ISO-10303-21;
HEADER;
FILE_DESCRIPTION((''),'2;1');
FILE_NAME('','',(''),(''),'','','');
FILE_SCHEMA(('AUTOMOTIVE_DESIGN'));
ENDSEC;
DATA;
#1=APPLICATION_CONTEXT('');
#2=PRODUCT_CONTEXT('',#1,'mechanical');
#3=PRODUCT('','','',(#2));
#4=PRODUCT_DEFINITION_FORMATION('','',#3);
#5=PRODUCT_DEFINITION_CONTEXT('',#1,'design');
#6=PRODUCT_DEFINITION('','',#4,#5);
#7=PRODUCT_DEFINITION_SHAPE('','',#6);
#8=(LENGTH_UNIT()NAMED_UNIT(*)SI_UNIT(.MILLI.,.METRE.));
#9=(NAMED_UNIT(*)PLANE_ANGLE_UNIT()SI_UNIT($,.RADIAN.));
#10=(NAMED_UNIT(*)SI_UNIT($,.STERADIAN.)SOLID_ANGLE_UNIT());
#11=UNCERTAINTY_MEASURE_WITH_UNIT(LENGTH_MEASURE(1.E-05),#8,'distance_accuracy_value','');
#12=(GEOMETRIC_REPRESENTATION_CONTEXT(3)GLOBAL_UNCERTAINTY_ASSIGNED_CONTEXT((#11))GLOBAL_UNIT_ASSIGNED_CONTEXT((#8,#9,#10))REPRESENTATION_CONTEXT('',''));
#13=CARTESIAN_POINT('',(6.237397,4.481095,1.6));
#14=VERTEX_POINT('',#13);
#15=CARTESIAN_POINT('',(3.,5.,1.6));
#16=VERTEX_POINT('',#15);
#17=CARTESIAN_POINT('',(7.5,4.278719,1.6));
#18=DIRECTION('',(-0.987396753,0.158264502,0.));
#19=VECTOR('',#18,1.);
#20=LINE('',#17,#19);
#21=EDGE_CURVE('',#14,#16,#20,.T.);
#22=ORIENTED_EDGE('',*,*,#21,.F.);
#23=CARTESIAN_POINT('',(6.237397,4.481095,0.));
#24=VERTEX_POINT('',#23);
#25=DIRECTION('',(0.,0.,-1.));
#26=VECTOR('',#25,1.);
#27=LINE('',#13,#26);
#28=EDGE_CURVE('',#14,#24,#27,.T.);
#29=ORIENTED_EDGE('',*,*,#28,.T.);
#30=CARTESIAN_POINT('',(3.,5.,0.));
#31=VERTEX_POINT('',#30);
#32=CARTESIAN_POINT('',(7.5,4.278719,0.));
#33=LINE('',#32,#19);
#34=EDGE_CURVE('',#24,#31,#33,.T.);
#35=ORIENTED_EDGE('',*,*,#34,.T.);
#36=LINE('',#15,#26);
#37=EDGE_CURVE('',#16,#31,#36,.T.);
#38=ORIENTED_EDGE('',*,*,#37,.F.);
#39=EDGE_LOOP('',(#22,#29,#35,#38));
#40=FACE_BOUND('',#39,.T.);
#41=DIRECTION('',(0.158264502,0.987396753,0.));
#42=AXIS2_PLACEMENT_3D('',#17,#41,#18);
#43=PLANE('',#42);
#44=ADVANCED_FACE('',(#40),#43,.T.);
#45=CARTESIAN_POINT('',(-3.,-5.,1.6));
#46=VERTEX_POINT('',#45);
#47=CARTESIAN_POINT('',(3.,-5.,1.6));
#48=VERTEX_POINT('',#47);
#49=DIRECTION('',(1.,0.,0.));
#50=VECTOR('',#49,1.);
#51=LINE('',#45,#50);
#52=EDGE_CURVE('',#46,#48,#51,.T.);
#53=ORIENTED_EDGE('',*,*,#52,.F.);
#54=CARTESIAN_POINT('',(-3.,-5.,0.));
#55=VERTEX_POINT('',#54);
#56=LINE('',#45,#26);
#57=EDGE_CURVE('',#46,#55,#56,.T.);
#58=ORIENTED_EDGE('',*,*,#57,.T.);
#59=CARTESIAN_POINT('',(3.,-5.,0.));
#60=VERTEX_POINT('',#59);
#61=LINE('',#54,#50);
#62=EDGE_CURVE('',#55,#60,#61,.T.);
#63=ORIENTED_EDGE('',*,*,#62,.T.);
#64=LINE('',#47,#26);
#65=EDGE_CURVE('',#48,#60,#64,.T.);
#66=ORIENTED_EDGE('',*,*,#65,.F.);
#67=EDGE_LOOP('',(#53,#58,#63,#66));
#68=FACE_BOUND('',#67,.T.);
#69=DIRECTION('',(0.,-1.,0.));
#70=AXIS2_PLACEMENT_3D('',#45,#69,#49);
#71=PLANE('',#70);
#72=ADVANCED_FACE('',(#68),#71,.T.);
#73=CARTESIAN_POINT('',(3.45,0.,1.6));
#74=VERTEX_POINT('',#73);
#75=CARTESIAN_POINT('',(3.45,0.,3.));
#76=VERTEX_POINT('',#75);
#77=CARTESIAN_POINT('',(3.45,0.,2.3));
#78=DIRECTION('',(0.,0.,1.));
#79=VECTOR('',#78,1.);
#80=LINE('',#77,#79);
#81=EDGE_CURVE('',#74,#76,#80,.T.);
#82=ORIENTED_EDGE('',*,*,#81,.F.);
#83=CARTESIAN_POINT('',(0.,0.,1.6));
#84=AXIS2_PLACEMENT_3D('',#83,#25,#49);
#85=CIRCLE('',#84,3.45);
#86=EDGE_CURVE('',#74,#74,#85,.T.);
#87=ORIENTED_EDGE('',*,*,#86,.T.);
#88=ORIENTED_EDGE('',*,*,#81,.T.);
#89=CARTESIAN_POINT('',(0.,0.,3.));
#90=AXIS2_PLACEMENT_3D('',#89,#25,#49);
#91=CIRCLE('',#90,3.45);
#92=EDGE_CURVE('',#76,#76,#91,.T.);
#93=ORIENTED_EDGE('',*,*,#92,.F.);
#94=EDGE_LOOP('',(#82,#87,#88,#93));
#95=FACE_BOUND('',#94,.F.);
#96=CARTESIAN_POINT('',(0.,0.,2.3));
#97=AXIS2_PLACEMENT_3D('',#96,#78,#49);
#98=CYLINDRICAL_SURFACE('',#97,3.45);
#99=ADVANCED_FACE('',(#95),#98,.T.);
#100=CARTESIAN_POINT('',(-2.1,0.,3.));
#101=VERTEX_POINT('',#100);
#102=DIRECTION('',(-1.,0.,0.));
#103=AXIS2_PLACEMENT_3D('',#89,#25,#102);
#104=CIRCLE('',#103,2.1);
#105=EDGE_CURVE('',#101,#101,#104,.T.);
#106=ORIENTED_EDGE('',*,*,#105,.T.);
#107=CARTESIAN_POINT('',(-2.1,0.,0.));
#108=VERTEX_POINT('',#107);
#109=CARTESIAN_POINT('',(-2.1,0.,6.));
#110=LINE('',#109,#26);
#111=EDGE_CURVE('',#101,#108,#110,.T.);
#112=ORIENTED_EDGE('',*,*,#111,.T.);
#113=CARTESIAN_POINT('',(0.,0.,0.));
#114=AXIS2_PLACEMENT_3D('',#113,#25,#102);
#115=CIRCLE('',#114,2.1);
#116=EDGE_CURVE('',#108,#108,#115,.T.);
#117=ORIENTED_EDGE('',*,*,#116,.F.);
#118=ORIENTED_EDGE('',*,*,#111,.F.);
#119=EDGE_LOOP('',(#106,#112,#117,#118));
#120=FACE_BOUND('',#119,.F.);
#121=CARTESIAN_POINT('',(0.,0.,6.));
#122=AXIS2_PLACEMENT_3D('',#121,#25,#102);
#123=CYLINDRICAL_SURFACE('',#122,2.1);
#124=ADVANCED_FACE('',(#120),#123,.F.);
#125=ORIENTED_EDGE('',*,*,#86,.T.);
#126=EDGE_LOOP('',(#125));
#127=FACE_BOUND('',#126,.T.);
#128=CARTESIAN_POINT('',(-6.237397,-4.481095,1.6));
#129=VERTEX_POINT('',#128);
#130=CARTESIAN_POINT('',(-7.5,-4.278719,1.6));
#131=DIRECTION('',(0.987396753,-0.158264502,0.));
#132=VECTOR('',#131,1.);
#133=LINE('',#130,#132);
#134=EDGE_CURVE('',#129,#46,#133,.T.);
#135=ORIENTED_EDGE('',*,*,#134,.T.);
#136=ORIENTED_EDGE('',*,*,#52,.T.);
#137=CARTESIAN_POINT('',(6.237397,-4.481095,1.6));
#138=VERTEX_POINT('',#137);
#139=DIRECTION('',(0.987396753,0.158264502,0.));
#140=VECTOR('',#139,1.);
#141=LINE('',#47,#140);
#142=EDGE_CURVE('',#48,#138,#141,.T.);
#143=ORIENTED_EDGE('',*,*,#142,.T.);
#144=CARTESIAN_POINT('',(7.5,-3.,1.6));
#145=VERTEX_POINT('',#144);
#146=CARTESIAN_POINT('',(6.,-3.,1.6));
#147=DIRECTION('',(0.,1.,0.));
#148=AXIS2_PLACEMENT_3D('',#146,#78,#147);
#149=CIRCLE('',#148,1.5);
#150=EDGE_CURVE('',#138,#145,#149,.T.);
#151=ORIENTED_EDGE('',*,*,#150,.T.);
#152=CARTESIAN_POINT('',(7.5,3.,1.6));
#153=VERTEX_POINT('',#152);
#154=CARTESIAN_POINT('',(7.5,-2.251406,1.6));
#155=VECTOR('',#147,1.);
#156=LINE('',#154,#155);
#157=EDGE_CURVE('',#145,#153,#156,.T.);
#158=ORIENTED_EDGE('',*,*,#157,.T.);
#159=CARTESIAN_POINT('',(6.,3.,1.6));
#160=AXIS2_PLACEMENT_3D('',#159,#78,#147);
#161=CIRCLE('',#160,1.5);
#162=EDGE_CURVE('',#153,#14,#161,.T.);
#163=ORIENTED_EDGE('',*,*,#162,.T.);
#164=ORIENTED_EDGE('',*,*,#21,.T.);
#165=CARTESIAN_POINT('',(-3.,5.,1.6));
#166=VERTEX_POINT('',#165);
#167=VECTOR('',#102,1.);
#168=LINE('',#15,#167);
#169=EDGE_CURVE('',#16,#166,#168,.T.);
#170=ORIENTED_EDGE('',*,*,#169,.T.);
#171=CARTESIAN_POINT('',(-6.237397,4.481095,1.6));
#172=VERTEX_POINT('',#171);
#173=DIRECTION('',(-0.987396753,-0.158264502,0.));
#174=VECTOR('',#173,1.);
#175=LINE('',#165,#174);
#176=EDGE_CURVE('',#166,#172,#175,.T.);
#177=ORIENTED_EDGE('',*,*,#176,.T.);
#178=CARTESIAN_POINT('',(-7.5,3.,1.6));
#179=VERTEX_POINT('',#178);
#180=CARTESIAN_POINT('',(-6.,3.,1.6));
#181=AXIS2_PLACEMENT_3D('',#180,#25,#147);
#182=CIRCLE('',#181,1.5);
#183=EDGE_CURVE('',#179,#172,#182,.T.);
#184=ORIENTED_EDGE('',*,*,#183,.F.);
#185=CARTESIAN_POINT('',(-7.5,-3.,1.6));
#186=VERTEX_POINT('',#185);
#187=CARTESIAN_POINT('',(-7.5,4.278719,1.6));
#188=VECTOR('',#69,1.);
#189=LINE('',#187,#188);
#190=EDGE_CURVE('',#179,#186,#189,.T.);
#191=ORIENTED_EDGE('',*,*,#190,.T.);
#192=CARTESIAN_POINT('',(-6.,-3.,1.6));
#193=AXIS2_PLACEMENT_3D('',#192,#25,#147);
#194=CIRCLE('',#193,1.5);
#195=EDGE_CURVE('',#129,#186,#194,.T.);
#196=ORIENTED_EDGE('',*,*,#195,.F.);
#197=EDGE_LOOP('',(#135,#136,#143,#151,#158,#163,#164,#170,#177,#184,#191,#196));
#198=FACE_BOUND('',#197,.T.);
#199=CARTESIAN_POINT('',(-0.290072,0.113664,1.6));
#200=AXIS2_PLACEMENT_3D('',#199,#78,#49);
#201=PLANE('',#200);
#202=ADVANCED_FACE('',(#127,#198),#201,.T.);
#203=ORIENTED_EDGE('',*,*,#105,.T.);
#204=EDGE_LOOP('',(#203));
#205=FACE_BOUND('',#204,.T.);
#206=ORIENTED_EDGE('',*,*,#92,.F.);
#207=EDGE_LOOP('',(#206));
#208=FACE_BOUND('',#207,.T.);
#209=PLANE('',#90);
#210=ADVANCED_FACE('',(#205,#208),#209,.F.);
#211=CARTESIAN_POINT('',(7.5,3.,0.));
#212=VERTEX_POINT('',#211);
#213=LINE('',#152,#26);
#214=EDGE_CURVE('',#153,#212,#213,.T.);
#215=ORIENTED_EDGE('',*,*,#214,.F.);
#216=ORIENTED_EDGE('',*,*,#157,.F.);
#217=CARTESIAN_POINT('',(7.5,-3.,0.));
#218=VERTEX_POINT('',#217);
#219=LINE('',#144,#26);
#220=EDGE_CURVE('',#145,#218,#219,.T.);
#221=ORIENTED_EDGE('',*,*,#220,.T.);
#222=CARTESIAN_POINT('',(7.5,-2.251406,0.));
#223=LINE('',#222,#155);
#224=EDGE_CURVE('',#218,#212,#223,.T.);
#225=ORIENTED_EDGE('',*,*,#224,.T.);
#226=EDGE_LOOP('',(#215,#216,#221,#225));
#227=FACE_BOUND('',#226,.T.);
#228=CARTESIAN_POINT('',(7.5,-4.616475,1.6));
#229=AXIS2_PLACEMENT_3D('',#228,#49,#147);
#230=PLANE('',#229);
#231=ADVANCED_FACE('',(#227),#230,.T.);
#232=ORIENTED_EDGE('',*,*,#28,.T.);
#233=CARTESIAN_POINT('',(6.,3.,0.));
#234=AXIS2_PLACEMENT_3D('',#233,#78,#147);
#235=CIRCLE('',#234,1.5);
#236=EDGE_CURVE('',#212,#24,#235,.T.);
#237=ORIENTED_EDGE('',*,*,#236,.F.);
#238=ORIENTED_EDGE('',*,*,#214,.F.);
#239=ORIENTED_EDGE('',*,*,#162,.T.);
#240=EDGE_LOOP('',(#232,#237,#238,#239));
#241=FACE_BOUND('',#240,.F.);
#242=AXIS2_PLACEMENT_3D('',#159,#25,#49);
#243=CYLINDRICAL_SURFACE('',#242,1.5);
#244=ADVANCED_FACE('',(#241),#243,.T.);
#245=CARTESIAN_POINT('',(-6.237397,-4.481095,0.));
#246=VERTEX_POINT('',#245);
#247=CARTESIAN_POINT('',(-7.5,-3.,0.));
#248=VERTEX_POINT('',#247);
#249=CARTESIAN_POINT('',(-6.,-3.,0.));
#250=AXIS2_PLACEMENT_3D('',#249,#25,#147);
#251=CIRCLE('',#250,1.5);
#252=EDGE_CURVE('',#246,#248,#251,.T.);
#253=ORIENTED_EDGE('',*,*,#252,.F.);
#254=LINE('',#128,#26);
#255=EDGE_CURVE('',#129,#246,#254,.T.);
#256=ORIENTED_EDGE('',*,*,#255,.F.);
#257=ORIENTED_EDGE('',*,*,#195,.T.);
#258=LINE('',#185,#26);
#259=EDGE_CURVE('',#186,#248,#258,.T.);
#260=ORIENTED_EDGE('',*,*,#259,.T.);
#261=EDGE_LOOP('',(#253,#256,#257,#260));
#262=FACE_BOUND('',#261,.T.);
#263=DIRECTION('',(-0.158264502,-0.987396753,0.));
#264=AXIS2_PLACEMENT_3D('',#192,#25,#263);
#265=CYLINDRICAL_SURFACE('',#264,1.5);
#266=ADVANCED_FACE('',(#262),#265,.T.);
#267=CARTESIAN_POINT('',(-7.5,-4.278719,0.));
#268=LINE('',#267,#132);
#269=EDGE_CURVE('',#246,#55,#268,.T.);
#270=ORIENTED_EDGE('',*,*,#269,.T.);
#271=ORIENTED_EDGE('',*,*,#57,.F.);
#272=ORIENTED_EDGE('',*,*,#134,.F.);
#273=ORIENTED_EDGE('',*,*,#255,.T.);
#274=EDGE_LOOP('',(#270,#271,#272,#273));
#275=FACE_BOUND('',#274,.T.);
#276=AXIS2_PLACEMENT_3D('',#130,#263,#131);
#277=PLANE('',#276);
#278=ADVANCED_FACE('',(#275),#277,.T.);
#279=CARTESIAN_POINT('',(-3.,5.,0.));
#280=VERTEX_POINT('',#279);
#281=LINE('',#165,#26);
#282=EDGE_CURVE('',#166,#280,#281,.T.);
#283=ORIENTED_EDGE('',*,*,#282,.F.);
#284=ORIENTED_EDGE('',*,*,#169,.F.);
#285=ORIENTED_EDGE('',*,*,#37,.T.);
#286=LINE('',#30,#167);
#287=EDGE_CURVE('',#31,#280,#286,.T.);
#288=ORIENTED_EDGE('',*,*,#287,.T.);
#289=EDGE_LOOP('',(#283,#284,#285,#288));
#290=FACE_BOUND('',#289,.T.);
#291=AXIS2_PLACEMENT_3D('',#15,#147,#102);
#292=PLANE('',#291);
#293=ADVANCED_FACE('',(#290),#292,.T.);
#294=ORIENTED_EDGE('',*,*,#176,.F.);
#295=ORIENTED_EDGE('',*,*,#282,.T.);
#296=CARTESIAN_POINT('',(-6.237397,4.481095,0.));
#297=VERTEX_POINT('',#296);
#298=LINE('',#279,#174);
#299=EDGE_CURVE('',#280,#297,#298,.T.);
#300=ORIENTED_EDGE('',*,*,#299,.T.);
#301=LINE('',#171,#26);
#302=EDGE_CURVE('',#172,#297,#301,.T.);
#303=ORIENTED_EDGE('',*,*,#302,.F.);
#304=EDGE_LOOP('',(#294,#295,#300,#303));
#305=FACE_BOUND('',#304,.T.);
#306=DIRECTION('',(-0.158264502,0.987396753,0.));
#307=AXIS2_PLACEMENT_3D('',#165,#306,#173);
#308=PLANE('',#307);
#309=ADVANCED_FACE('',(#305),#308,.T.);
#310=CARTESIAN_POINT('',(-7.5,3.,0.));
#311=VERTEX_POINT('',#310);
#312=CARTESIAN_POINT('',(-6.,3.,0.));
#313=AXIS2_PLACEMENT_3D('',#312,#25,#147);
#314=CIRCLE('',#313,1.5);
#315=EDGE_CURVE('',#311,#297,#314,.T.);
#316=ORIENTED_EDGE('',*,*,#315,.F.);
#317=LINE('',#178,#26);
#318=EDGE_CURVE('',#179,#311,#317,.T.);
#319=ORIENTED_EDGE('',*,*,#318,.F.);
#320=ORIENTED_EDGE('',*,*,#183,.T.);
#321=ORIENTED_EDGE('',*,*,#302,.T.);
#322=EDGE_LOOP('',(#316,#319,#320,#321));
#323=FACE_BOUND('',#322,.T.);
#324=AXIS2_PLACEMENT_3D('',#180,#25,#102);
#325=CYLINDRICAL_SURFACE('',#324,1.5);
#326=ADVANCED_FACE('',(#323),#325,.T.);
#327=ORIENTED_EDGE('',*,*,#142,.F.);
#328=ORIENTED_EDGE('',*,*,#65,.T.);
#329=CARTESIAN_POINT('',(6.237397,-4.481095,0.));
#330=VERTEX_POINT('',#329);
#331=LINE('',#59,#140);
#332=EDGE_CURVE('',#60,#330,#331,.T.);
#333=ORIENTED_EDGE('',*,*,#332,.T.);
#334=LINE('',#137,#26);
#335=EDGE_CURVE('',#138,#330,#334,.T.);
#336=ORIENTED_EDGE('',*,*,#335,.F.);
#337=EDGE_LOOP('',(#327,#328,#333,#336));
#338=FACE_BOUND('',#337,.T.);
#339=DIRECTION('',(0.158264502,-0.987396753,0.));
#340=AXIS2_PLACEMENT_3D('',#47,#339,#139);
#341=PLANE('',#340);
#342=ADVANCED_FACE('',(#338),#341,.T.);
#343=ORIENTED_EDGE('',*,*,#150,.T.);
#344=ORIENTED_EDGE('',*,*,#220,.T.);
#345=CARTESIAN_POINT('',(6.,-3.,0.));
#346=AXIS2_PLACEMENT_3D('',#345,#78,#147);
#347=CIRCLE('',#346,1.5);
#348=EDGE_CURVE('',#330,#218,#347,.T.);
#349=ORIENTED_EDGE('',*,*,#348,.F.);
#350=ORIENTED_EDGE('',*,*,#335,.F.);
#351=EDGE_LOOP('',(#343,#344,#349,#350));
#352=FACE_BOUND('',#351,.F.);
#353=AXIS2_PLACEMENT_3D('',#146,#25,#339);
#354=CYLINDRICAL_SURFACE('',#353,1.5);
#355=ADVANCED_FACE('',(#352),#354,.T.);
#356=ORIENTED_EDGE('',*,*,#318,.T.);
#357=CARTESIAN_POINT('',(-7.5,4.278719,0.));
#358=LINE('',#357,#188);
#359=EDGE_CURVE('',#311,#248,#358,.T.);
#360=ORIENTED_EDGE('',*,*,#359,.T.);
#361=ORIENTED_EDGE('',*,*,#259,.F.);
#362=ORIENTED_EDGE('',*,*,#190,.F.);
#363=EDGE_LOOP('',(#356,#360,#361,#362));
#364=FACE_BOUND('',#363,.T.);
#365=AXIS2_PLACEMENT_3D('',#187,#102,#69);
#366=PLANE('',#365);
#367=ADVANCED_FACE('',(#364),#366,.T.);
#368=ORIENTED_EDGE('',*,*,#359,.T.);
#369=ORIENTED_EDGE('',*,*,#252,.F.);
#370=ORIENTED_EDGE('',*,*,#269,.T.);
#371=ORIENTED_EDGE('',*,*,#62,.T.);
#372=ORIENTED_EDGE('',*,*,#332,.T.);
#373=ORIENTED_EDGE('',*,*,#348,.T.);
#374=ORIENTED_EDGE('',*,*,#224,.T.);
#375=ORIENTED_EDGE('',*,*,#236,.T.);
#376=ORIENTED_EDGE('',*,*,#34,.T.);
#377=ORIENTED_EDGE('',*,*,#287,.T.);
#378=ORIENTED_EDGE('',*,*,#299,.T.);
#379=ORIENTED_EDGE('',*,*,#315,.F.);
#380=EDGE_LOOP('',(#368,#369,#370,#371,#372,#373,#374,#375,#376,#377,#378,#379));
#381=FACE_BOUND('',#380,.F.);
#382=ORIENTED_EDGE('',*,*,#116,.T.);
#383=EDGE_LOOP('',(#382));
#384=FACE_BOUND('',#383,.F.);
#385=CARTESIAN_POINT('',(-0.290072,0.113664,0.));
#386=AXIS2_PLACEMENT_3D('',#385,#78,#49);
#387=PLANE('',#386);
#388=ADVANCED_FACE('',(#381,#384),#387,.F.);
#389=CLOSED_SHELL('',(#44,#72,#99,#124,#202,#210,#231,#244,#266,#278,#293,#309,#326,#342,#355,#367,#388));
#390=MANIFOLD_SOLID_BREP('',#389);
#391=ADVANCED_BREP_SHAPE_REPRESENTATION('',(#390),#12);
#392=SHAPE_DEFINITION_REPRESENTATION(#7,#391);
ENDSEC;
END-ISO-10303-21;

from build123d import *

# Parameters (mm, degrees)
BOSS_EXTRUDE1_DEPTH = 1.6
DRAFT1_ANGLE        = 9.10617604
SKETCH2_W           = 3.45
SKETCH2_H           = 1.4
HOLE1_D             = 4.2
HOLE1_DEPTH         = 3
FILLET1_R           = 1.5


with BuildPart() as part:
    # Sketch1 → Boss-Extrude1 (new body)
    with BuildSketch(Plane.XY.offset(1.6)):
        Polygon((3, -5), (6.092206474, -4.504366896), (7.5, 4.278719262), (3, 5), (-3, 5), (-7.5, 4.278719262), (-7.5, -4.278719262), (-3, -5), align=None)
    extrude(amount=-BOSS_EXTRUDE1_DEPTH)

    # Draft1
    draft1_faces = [part.faces().sort_by_distance(p)[0] for p in [
        (6.796103237, -0.112823817, 0.8),
    ]]
    draft(draft1_faces, Plane(origin=(7.5, 4.278719262, 0), x_dir=(0.987396753, -0.158264502, 0), z_dir=(0.158264502, 0.987396753, 0)), DRAFT1_ANGLE)

    # Sketch2 → Revolve1 (revolve)
    with BuildSketch(Plane.XZ):
        with Locations((1.725, 2.3)):
            Rectangle(SKETCH2_W, SKETCH2_H)
    revolve(axis=Axis((0, 0, 3), (0, 0, -1)))

    # Hole1
    with Locations(Plane.XY.offset(3)):
        with Locations((0, 0)):
            Hole(HOLE1_D / 2, depth=HOLE1_DEPTH)

    # Fillet1
    fillet1_edges = [part.edges().sort_by_distance(p)[0] for p in [
        (-7.5, -4.278719262, 0.8),
        (-7.5, 4.278719262, 0.8),
        (7.5, 4.278719262, 0.8),
        (7.5, -4.278719262, 0.8),
    ]]
    fillet(fillet1_edges, radius=FILLET1_R)


solid = part.part
